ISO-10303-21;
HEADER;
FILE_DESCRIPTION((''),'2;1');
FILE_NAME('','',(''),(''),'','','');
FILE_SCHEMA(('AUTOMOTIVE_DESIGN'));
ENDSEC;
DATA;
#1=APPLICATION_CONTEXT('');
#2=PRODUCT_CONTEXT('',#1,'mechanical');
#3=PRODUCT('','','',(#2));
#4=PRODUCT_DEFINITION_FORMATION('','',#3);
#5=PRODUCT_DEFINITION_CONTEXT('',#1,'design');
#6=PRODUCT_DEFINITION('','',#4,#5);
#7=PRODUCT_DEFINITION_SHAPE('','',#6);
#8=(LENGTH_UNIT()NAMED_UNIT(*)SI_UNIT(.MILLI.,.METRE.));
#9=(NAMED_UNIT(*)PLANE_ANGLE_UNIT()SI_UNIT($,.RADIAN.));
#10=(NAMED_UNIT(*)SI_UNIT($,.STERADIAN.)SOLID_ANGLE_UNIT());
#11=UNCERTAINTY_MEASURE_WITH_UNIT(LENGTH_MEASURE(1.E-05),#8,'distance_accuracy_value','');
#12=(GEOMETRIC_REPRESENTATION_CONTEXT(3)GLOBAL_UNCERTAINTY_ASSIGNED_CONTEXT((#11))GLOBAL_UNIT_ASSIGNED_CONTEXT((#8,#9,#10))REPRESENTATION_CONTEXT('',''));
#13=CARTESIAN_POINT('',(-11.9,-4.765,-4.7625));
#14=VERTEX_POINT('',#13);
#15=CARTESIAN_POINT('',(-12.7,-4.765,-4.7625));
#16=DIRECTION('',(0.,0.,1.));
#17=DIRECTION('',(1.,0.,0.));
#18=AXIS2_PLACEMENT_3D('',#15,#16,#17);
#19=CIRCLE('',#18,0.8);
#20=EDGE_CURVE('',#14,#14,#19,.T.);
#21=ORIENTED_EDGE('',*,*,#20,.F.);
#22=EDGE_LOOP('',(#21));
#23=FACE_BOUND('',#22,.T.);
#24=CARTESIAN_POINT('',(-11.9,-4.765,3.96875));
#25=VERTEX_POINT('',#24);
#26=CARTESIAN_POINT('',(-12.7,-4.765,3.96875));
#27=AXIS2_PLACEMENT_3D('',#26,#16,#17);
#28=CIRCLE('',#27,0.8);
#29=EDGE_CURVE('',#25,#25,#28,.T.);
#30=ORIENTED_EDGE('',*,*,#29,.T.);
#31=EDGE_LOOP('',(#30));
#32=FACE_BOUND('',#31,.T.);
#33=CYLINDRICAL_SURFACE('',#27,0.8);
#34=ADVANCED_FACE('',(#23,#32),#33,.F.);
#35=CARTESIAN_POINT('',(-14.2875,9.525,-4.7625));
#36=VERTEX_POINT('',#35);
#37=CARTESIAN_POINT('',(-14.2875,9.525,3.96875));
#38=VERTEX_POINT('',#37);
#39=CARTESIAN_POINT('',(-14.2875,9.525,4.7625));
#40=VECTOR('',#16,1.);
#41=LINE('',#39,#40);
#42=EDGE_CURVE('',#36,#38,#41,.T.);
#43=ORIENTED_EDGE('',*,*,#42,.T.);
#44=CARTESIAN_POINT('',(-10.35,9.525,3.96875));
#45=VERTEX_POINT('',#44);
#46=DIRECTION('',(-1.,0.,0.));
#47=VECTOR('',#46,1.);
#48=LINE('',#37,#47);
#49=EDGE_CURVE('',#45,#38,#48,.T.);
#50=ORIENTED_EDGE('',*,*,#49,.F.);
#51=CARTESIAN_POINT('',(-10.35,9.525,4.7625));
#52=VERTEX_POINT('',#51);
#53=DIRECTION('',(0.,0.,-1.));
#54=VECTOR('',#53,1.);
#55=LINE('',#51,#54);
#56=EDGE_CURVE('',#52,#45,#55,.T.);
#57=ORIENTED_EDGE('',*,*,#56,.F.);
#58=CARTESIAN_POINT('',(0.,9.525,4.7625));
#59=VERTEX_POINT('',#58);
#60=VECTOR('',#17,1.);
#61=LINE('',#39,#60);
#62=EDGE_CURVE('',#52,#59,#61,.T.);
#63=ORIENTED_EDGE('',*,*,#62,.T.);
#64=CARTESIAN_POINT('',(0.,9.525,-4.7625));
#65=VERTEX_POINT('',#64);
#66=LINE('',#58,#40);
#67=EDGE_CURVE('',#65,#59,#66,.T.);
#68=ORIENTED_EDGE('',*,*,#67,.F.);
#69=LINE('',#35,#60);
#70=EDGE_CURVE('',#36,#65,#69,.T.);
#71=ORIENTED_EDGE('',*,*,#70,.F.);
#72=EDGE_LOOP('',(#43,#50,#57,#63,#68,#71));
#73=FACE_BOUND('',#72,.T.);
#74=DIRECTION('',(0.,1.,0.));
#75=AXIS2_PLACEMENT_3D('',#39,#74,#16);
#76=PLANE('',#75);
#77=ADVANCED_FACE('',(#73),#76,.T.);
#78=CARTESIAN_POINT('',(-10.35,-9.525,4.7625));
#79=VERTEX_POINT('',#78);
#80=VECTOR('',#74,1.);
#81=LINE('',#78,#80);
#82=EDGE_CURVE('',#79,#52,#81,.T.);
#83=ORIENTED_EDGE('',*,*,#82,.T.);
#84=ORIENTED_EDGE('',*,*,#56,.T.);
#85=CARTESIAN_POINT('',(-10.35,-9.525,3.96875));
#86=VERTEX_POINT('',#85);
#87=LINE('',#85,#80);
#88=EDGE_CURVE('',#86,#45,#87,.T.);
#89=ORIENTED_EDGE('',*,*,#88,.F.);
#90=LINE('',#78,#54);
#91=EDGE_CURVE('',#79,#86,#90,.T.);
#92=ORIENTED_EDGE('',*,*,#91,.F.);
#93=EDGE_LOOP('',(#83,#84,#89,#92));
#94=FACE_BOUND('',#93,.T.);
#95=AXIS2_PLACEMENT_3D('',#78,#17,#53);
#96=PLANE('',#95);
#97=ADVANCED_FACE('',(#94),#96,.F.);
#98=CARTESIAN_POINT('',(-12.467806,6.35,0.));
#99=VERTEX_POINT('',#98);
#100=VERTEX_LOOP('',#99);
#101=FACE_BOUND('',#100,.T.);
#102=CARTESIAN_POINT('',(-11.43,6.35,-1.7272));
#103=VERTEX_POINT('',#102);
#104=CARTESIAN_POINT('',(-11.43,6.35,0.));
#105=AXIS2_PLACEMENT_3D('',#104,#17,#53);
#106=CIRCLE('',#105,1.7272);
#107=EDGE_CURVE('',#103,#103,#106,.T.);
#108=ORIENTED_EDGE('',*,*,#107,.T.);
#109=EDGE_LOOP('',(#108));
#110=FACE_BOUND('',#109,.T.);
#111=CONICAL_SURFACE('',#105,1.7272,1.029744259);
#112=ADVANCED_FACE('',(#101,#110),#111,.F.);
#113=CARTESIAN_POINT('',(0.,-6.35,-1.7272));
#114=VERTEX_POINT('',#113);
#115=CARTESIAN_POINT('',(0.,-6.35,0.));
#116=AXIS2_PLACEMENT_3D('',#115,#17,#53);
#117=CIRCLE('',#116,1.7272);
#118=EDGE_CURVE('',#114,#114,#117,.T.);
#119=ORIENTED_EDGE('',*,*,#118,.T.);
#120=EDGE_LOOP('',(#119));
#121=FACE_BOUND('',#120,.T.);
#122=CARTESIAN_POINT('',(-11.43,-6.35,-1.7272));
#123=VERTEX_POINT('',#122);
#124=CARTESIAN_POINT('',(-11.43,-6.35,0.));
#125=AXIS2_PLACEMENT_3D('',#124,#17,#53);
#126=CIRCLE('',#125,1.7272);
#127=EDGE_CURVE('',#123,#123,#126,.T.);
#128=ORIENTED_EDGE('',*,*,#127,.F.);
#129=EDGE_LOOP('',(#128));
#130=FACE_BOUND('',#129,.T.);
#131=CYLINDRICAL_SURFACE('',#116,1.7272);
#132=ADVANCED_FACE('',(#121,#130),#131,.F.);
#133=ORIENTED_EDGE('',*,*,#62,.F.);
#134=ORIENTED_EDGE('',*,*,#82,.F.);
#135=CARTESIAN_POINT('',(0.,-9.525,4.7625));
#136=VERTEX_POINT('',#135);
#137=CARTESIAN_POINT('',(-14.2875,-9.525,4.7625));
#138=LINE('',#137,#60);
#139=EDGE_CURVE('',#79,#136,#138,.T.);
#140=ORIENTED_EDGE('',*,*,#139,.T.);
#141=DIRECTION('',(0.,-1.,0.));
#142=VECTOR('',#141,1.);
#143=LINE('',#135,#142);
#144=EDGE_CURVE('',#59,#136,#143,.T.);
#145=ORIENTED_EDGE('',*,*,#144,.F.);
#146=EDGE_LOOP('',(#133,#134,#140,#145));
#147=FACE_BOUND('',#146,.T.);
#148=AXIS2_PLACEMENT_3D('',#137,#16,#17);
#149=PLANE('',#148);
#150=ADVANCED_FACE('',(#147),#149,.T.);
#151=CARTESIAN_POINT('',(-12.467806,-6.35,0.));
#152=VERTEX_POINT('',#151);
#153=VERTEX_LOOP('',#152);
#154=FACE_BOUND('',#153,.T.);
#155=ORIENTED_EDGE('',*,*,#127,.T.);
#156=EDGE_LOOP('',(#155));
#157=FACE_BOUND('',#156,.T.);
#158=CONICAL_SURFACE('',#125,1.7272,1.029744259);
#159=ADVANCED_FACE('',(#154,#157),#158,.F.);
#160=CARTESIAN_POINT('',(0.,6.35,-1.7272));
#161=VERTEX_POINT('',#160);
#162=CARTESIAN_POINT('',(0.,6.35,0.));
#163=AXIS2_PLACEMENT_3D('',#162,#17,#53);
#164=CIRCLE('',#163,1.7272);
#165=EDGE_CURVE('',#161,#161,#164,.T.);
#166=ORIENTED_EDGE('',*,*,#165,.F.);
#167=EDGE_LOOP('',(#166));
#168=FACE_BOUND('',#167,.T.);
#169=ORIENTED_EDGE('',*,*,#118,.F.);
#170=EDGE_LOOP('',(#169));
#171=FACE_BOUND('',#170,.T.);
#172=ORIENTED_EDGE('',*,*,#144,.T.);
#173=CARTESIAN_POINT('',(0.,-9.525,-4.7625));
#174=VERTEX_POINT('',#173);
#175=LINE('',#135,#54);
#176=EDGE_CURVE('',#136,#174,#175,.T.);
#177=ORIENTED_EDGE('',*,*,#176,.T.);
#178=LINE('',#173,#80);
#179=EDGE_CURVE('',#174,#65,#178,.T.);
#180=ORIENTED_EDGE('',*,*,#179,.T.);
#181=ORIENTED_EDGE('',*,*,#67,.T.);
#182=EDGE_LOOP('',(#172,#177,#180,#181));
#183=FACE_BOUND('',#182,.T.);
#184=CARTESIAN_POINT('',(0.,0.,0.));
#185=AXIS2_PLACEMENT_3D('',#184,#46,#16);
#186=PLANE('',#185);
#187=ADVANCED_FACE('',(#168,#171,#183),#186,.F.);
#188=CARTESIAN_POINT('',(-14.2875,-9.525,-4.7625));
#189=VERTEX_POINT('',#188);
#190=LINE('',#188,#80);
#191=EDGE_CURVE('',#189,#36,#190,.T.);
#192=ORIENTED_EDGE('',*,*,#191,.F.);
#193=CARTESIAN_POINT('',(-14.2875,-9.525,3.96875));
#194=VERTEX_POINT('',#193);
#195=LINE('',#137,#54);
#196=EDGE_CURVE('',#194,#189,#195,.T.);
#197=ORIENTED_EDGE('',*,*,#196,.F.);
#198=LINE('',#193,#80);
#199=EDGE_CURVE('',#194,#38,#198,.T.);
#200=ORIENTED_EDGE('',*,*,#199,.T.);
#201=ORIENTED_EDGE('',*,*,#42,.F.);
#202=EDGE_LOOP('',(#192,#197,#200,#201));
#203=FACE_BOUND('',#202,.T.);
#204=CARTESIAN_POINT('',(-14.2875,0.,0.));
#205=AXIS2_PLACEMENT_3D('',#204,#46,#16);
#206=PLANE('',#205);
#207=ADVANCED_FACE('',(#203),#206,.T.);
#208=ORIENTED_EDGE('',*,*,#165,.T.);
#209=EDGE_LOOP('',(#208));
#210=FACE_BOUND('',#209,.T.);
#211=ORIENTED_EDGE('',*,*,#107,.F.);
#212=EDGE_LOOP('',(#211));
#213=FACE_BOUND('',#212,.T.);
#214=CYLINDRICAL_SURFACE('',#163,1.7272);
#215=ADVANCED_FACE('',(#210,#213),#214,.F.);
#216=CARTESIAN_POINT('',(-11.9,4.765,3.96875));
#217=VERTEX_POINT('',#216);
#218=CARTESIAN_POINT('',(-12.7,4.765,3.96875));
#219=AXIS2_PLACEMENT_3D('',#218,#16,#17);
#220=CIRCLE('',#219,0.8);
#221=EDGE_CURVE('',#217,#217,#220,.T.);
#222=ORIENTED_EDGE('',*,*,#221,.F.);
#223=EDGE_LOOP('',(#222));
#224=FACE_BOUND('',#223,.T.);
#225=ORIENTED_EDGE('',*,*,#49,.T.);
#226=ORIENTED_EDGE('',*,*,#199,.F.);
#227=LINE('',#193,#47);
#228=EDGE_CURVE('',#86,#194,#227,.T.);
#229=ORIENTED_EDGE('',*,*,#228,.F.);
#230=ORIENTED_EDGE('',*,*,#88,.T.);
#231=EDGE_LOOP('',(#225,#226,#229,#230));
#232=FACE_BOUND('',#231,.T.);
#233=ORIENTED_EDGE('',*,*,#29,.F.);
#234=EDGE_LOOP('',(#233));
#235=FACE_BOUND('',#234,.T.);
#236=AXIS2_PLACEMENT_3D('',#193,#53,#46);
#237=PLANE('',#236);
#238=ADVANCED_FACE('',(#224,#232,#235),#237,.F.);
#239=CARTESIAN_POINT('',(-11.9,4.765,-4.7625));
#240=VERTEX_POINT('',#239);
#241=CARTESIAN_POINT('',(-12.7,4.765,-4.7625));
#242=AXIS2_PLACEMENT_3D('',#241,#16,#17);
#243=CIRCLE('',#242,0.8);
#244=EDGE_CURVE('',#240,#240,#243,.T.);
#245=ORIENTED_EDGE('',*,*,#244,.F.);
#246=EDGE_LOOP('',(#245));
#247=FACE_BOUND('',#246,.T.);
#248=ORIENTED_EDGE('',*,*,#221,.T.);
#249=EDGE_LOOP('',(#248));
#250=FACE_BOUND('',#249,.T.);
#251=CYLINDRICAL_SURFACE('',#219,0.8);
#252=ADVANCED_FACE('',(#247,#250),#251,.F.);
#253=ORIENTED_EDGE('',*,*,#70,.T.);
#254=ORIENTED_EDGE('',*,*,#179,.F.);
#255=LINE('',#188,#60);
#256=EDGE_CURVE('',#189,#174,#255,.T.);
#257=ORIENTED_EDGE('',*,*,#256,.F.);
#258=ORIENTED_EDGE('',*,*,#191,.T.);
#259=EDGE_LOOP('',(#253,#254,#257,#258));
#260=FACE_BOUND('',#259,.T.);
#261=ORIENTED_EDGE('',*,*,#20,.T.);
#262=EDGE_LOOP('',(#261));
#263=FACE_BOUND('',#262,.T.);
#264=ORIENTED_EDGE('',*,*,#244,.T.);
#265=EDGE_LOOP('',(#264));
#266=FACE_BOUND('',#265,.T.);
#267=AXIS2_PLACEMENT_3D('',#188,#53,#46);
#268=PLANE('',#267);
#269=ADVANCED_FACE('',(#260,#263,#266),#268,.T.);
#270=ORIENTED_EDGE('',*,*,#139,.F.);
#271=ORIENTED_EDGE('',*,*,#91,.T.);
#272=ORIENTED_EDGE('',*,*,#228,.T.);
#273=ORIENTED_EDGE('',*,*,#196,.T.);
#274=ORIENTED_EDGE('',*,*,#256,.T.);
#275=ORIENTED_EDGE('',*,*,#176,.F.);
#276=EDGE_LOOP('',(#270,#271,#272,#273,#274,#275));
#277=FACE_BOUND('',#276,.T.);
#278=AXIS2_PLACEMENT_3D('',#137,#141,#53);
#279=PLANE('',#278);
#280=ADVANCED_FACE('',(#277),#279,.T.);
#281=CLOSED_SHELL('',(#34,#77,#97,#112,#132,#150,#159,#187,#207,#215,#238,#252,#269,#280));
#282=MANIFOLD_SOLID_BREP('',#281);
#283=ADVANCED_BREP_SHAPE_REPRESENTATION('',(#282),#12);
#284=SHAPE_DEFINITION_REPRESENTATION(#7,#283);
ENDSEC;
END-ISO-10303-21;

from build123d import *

# Parameters (mm, degrees)
SKETCH1_W                 = 9.525
SKETCH1_H                 = 19.05
BOSS_EXTRUDE1_DEPTH       = 14.2875
F_8_32_TAPPED_HOLE1_D     = 3.4544
F_8_32_TAPPED_HOLE1_DEPTH = 11.43
F_8_32_TAPPED_HOLE1_TIP   = 1.037806461
SKETCH4_W                 = 3.937500126
SKETCH4_H                 = 0.79375
CUT_EXTRUDE1_DEPTH        = 25.284080433
M2X0_4_TAPPED_HOLE1_D     = 1.6


with BuildPart() as part:
    # Sketch1 → Boss-Extrude1 (new body)
    with BuildSketch(Plane(origin=(0, 0, 0), x_dir=(0, 0, -1), z_dir=(1, 0, 0))):
        Rectangle(SKETCH1_W, SKETCH1_H)
    extrude(amount=-BOSS_EXTRUDE1_DEPTH)

    # #8-32 Tapped Hole1
    with Locations(Plane(origin=(0, 0, 0), x_dir=(0, 0, -1), z_dir=(1, 0, 0))):
        with Locations((0, 6.35), (0, -6.35)):
            Hole(F_8_32_TAPPED_HOLE1_D / 2, depth=F_8_32_TAPPED_HOLE1_DEPTH)
            with Locations((0, 0, -(F_8_32_TAPPED_HOLE1_DEPTH + F_8_32_TAPPED_HOLE1_TIP / 2))):  # 118° drill point
                Cone(0, F_8_32_TAPPED_HOLE1_D / 2, F_8_32_TAPPED_HOLE1_TIP, mode=Mode.SUBTRACT)

    # Sketch4 → Cut-Extrude1 (cut, through all)
    with BuildSketch(Plane(origin=(0, 9.525, 0), x_dir=(1, 0, 0), z_dir=(0, 1, 0))):
        with Locations((-12.318749937, -4.365625)):
            Rectangle(SKETCH4_W, SKETCH4_H)
    extrude(amount=-CUT_EXTRUDE1_DEPTH, mode=Mode.SUBTRACT)

    # M2x0.4 Tapped Hole1 (through all)
    with Locations(Plane.XY.offset(3.96875)):
        with Locations((-12.7, -4.764999995), (-12.7, 4.764999995)):
            Hole(M2X0_4_TAPPED_HOLE1_D / 2)


solid = part.part
